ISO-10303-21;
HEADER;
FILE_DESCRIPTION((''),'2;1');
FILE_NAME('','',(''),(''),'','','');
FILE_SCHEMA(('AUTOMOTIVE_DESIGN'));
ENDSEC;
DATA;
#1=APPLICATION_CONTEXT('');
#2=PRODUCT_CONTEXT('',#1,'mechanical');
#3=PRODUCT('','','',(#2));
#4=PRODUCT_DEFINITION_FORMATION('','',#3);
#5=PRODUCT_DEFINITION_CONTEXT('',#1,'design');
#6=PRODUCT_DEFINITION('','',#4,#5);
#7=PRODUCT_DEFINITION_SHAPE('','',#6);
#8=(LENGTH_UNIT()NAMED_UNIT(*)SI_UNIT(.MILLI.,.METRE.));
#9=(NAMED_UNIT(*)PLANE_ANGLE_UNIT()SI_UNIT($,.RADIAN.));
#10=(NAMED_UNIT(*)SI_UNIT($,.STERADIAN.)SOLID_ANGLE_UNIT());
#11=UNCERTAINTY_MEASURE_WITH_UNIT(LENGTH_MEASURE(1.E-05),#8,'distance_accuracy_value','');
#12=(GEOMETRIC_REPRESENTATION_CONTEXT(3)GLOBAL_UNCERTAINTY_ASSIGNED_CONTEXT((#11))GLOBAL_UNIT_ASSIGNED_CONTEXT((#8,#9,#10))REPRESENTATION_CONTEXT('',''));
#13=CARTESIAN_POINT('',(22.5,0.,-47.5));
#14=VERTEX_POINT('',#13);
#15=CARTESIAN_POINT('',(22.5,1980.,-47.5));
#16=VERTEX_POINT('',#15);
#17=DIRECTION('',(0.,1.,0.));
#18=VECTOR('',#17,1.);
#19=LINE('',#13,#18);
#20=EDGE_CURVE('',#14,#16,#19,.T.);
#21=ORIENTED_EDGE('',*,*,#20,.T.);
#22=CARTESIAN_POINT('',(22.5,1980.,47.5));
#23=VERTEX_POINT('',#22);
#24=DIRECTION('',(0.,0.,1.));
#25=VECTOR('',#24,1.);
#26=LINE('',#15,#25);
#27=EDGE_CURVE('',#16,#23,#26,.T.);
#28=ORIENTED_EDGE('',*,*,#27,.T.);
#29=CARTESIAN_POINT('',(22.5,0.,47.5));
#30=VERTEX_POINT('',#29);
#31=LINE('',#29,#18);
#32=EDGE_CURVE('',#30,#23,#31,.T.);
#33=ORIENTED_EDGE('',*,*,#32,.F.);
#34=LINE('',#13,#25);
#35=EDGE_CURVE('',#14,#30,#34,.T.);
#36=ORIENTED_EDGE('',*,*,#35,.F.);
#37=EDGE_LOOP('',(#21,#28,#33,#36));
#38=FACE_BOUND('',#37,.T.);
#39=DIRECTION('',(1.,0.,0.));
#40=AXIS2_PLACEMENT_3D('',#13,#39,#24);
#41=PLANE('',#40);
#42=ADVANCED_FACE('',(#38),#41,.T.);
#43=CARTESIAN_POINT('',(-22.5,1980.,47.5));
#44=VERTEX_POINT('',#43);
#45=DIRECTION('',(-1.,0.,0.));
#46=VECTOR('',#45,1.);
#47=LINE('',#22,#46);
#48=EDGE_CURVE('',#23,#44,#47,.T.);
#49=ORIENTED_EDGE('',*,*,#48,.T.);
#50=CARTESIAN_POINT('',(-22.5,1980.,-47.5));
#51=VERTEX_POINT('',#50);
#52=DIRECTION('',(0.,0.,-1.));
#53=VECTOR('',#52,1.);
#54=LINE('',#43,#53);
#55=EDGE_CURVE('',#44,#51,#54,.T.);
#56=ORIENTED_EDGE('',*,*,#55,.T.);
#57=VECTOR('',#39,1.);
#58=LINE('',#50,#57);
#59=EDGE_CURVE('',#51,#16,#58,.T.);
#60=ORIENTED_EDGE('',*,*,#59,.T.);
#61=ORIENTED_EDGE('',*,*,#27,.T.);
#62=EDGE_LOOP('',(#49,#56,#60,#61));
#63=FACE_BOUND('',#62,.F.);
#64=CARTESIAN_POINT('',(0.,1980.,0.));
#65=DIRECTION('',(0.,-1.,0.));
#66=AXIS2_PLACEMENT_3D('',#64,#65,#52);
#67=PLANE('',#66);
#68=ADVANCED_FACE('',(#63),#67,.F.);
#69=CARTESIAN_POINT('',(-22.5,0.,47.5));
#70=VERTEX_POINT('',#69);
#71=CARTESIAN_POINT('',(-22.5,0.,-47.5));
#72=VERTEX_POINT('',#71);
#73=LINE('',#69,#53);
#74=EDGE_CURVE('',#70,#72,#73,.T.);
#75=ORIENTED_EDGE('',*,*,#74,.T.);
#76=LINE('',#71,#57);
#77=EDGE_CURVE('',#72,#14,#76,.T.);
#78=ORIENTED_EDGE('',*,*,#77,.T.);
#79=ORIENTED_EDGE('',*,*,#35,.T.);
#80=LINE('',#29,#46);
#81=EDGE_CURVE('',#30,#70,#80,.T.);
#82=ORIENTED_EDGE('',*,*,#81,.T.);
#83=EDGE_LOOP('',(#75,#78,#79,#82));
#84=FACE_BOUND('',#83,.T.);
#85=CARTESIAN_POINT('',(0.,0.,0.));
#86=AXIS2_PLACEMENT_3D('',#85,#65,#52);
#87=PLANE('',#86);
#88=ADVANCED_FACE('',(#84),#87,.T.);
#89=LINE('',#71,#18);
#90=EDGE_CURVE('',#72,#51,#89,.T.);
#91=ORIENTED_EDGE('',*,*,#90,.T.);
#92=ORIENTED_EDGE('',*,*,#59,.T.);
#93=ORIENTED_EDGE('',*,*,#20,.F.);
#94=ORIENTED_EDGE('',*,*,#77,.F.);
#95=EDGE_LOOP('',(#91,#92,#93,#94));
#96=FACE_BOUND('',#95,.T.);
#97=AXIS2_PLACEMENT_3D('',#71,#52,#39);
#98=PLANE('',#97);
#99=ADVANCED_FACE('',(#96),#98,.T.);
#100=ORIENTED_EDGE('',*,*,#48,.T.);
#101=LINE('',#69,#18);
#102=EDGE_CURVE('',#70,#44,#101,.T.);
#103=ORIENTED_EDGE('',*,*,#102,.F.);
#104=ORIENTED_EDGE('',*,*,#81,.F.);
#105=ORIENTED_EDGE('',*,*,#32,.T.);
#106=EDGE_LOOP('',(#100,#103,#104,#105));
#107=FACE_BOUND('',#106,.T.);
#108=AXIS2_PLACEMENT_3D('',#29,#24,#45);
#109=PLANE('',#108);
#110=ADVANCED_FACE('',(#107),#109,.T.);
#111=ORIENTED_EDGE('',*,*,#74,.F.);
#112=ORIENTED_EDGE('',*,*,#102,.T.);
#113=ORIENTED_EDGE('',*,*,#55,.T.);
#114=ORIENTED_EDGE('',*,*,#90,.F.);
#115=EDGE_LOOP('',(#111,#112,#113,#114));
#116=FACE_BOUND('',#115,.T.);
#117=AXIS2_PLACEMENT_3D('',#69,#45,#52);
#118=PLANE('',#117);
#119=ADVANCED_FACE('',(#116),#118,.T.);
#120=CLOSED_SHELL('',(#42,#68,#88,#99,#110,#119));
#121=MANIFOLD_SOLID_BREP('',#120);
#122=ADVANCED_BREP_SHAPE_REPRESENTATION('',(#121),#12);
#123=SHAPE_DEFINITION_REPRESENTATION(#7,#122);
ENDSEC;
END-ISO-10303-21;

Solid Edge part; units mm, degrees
sketch "Sketch1" plane through (0, 0, 0) normal (0, -1, 0) x (1, 0, 0)
  line L0 (-22.5, -47.5) -> (22.5, -47.5)
  line L1 (22.5, -47.5) -> (22.5, 47.5)
  line L2 (22.5, 47.5) -> (-22.5, 47.5)
  line L3 (-22.5, 47.5) -> (-22.5, -47.5)
extrude "Protrusion1" add sketch "Sketch1" against normal blind 1980
properties material "Wood, Pine"
